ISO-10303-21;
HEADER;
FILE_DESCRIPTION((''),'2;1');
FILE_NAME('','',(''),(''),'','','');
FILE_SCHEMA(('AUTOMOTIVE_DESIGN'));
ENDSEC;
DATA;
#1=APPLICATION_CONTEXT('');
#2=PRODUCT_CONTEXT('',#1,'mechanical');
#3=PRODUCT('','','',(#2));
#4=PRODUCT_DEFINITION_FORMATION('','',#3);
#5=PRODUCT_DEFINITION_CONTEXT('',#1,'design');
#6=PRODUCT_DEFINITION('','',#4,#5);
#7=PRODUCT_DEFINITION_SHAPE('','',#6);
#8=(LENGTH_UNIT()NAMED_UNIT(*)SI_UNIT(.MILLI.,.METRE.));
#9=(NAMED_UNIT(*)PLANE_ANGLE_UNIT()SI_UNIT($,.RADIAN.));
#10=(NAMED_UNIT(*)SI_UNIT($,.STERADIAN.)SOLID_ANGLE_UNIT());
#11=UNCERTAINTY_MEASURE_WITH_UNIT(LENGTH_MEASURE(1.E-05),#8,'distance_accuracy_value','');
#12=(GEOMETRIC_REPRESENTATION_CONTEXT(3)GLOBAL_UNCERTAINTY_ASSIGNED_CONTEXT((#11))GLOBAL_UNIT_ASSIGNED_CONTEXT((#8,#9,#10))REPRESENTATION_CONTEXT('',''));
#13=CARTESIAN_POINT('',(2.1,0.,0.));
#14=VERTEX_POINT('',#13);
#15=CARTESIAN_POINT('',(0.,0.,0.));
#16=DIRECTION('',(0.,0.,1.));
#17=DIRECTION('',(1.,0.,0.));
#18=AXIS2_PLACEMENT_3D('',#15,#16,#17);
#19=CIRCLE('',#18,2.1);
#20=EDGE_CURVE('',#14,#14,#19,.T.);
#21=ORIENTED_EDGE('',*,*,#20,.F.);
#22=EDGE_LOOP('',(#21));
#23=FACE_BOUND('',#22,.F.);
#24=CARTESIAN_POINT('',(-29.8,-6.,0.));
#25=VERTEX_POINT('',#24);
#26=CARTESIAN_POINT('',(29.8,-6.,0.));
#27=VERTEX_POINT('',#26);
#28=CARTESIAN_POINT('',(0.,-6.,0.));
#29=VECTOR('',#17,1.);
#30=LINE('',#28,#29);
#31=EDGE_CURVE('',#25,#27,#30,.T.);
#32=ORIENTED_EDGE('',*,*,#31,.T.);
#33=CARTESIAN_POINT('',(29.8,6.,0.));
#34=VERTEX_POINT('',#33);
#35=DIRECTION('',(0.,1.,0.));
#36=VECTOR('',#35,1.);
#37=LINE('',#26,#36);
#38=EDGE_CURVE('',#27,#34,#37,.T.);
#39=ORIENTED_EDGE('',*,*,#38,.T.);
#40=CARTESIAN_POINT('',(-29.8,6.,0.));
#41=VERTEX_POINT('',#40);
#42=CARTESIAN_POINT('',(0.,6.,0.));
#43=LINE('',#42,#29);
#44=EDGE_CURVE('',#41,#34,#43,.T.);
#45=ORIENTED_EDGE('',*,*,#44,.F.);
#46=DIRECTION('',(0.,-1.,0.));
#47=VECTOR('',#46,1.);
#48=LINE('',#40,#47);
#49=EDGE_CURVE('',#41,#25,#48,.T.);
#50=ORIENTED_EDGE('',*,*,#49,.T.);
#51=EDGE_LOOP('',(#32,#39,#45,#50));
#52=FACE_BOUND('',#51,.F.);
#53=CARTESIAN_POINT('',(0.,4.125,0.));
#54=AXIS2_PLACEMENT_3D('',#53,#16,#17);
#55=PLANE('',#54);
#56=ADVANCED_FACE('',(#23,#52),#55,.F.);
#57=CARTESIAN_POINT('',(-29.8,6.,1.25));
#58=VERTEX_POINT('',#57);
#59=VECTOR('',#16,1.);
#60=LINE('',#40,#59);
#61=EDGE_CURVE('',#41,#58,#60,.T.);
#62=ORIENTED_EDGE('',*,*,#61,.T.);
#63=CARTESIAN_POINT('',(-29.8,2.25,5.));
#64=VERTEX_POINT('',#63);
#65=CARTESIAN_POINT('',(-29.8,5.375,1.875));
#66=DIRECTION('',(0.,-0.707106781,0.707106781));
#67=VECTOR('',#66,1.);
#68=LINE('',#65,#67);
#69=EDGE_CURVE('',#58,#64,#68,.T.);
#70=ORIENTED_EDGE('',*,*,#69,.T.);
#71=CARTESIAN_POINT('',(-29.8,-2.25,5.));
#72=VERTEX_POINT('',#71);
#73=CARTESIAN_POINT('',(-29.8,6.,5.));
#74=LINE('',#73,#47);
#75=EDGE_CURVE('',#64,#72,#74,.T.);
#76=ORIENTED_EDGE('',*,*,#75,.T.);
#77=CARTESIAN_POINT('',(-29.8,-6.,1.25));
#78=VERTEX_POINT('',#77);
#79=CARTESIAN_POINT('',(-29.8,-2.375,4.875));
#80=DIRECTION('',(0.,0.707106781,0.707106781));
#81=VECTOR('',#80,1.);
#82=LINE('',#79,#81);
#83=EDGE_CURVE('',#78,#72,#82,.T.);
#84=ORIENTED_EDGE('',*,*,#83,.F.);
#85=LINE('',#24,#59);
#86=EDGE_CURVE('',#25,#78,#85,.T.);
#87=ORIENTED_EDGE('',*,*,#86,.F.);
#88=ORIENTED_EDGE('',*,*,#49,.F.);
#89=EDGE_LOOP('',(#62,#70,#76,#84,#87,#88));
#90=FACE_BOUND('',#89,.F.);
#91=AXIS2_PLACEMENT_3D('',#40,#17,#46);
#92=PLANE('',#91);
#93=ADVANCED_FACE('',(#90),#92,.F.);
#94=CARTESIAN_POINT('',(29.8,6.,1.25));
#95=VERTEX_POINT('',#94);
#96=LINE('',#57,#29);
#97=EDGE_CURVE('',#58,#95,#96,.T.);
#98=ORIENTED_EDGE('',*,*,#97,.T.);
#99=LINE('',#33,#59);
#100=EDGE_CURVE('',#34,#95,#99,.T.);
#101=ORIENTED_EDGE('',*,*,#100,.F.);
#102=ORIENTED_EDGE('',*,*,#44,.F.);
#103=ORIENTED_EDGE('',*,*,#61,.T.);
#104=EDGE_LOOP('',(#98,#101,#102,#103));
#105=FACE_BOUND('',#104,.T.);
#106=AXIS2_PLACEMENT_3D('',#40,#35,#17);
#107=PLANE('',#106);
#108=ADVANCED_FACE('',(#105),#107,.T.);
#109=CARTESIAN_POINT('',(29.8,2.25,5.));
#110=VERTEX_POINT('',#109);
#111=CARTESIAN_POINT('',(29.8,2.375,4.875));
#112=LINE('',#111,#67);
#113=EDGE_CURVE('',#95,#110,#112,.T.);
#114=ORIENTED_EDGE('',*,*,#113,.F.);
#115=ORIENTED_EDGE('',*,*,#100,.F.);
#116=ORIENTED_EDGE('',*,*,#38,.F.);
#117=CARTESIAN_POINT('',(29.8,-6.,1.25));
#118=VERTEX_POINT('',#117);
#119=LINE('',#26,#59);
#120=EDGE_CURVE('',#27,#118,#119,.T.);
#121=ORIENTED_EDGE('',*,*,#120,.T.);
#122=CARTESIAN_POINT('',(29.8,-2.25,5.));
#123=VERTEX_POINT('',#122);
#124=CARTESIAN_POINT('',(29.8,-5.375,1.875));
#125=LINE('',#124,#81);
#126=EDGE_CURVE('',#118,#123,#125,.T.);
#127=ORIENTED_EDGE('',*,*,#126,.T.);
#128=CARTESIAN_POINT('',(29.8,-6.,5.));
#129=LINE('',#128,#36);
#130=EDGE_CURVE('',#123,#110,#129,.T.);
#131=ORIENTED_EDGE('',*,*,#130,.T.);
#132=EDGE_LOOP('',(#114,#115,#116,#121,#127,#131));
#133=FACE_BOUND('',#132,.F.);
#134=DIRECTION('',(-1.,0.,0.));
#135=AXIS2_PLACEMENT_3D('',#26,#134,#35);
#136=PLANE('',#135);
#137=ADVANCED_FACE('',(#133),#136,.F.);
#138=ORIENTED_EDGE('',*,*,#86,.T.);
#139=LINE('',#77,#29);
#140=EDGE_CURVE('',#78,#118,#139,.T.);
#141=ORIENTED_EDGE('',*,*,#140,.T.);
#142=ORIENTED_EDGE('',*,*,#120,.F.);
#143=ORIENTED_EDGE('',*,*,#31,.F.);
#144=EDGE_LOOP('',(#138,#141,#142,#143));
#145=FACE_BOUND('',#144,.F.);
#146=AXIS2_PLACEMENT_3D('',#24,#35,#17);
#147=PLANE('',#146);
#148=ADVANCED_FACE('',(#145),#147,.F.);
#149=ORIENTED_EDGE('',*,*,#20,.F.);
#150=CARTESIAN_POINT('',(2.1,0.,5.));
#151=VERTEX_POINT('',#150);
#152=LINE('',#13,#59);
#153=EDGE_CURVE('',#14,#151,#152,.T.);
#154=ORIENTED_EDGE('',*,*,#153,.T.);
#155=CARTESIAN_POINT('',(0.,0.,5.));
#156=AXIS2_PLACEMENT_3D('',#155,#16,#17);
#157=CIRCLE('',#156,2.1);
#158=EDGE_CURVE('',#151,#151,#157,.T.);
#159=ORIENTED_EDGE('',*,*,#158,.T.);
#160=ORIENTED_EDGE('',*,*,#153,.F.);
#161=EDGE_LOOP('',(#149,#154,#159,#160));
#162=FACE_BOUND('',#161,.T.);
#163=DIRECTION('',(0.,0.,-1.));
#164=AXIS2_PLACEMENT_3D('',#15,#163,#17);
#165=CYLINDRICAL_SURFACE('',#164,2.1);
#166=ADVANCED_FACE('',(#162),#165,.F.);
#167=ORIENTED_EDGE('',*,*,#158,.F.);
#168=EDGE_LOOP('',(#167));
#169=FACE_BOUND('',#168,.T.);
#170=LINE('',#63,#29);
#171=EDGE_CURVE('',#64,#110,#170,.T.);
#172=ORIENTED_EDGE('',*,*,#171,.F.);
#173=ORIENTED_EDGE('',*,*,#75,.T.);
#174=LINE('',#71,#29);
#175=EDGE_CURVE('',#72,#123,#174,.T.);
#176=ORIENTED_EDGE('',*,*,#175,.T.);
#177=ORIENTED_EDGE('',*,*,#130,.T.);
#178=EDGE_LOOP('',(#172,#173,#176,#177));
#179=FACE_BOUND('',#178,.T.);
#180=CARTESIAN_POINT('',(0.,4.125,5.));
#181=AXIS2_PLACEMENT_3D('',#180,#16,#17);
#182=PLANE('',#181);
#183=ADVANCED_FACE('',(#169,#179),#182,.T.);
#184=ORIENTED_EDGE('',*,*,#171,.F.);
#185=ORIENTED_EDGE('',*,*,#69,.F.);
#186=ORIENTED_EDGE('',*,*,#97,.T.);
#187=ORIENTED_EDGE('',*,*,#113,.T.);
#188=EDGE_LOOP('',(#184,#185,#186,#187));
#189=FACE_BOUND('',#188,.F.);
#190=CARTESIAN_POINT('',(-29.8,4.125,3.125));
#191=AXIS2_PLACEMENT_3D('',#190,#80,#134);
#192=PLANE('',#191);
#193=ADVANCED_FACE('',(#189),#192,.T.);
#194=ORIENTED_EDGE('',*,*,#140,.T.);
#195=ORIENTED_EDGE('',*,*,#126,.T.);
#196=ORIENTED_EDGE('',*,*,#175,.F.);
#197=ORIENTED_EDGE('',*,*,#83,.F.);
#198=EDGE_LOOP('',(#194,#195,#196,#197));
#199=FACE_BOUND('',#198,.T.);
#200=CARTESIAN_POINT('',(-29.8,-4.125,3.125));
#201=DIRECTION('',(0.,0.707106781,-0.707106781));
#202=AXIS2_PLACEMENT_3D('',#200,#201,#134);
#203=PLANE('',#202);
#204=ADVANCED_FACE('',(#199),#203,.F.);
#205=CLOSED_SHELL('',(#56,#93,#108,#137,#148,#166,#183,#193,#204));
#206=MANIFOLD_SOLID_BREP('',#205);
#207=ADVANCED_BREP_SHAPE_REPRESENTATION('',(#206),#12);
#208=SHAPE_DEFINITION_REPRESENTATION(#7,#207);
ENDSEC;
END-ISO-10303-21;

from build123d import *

# Parameters (mm, degrees)
F0_W     = 59.6
F0_H     = 3.75
F0_H_2   = 4.5
F0_R     = 2.1
F1_DEPTH = 5
F2_SIZE  = 3.75


with BuildPart() as f1:
    # F0 (on Top) → F1 (new body)
    with BuildSketch(Plane.XY):
        with Locations((0, 4.125)):
            Rectangle(F0_W, F0_H)
        Rectangle(F0_W, F0_H_2)
        Circle(F0_R, mode=Mode.SUBTRACT)
        with Locations((0, -4.125)):
            Rectangle(F0_W, F0_H)
    extrude(amount=F1_DEPTH)

    # F2
    f2_edges = [f1.edges().sort_by_distance(p)[0] for p in [
        (0, -6, 5),
        (0, 6, 5),
    ]]
    chamfer(f2_edges, length=F2_SIZE)


solid = f1.part
